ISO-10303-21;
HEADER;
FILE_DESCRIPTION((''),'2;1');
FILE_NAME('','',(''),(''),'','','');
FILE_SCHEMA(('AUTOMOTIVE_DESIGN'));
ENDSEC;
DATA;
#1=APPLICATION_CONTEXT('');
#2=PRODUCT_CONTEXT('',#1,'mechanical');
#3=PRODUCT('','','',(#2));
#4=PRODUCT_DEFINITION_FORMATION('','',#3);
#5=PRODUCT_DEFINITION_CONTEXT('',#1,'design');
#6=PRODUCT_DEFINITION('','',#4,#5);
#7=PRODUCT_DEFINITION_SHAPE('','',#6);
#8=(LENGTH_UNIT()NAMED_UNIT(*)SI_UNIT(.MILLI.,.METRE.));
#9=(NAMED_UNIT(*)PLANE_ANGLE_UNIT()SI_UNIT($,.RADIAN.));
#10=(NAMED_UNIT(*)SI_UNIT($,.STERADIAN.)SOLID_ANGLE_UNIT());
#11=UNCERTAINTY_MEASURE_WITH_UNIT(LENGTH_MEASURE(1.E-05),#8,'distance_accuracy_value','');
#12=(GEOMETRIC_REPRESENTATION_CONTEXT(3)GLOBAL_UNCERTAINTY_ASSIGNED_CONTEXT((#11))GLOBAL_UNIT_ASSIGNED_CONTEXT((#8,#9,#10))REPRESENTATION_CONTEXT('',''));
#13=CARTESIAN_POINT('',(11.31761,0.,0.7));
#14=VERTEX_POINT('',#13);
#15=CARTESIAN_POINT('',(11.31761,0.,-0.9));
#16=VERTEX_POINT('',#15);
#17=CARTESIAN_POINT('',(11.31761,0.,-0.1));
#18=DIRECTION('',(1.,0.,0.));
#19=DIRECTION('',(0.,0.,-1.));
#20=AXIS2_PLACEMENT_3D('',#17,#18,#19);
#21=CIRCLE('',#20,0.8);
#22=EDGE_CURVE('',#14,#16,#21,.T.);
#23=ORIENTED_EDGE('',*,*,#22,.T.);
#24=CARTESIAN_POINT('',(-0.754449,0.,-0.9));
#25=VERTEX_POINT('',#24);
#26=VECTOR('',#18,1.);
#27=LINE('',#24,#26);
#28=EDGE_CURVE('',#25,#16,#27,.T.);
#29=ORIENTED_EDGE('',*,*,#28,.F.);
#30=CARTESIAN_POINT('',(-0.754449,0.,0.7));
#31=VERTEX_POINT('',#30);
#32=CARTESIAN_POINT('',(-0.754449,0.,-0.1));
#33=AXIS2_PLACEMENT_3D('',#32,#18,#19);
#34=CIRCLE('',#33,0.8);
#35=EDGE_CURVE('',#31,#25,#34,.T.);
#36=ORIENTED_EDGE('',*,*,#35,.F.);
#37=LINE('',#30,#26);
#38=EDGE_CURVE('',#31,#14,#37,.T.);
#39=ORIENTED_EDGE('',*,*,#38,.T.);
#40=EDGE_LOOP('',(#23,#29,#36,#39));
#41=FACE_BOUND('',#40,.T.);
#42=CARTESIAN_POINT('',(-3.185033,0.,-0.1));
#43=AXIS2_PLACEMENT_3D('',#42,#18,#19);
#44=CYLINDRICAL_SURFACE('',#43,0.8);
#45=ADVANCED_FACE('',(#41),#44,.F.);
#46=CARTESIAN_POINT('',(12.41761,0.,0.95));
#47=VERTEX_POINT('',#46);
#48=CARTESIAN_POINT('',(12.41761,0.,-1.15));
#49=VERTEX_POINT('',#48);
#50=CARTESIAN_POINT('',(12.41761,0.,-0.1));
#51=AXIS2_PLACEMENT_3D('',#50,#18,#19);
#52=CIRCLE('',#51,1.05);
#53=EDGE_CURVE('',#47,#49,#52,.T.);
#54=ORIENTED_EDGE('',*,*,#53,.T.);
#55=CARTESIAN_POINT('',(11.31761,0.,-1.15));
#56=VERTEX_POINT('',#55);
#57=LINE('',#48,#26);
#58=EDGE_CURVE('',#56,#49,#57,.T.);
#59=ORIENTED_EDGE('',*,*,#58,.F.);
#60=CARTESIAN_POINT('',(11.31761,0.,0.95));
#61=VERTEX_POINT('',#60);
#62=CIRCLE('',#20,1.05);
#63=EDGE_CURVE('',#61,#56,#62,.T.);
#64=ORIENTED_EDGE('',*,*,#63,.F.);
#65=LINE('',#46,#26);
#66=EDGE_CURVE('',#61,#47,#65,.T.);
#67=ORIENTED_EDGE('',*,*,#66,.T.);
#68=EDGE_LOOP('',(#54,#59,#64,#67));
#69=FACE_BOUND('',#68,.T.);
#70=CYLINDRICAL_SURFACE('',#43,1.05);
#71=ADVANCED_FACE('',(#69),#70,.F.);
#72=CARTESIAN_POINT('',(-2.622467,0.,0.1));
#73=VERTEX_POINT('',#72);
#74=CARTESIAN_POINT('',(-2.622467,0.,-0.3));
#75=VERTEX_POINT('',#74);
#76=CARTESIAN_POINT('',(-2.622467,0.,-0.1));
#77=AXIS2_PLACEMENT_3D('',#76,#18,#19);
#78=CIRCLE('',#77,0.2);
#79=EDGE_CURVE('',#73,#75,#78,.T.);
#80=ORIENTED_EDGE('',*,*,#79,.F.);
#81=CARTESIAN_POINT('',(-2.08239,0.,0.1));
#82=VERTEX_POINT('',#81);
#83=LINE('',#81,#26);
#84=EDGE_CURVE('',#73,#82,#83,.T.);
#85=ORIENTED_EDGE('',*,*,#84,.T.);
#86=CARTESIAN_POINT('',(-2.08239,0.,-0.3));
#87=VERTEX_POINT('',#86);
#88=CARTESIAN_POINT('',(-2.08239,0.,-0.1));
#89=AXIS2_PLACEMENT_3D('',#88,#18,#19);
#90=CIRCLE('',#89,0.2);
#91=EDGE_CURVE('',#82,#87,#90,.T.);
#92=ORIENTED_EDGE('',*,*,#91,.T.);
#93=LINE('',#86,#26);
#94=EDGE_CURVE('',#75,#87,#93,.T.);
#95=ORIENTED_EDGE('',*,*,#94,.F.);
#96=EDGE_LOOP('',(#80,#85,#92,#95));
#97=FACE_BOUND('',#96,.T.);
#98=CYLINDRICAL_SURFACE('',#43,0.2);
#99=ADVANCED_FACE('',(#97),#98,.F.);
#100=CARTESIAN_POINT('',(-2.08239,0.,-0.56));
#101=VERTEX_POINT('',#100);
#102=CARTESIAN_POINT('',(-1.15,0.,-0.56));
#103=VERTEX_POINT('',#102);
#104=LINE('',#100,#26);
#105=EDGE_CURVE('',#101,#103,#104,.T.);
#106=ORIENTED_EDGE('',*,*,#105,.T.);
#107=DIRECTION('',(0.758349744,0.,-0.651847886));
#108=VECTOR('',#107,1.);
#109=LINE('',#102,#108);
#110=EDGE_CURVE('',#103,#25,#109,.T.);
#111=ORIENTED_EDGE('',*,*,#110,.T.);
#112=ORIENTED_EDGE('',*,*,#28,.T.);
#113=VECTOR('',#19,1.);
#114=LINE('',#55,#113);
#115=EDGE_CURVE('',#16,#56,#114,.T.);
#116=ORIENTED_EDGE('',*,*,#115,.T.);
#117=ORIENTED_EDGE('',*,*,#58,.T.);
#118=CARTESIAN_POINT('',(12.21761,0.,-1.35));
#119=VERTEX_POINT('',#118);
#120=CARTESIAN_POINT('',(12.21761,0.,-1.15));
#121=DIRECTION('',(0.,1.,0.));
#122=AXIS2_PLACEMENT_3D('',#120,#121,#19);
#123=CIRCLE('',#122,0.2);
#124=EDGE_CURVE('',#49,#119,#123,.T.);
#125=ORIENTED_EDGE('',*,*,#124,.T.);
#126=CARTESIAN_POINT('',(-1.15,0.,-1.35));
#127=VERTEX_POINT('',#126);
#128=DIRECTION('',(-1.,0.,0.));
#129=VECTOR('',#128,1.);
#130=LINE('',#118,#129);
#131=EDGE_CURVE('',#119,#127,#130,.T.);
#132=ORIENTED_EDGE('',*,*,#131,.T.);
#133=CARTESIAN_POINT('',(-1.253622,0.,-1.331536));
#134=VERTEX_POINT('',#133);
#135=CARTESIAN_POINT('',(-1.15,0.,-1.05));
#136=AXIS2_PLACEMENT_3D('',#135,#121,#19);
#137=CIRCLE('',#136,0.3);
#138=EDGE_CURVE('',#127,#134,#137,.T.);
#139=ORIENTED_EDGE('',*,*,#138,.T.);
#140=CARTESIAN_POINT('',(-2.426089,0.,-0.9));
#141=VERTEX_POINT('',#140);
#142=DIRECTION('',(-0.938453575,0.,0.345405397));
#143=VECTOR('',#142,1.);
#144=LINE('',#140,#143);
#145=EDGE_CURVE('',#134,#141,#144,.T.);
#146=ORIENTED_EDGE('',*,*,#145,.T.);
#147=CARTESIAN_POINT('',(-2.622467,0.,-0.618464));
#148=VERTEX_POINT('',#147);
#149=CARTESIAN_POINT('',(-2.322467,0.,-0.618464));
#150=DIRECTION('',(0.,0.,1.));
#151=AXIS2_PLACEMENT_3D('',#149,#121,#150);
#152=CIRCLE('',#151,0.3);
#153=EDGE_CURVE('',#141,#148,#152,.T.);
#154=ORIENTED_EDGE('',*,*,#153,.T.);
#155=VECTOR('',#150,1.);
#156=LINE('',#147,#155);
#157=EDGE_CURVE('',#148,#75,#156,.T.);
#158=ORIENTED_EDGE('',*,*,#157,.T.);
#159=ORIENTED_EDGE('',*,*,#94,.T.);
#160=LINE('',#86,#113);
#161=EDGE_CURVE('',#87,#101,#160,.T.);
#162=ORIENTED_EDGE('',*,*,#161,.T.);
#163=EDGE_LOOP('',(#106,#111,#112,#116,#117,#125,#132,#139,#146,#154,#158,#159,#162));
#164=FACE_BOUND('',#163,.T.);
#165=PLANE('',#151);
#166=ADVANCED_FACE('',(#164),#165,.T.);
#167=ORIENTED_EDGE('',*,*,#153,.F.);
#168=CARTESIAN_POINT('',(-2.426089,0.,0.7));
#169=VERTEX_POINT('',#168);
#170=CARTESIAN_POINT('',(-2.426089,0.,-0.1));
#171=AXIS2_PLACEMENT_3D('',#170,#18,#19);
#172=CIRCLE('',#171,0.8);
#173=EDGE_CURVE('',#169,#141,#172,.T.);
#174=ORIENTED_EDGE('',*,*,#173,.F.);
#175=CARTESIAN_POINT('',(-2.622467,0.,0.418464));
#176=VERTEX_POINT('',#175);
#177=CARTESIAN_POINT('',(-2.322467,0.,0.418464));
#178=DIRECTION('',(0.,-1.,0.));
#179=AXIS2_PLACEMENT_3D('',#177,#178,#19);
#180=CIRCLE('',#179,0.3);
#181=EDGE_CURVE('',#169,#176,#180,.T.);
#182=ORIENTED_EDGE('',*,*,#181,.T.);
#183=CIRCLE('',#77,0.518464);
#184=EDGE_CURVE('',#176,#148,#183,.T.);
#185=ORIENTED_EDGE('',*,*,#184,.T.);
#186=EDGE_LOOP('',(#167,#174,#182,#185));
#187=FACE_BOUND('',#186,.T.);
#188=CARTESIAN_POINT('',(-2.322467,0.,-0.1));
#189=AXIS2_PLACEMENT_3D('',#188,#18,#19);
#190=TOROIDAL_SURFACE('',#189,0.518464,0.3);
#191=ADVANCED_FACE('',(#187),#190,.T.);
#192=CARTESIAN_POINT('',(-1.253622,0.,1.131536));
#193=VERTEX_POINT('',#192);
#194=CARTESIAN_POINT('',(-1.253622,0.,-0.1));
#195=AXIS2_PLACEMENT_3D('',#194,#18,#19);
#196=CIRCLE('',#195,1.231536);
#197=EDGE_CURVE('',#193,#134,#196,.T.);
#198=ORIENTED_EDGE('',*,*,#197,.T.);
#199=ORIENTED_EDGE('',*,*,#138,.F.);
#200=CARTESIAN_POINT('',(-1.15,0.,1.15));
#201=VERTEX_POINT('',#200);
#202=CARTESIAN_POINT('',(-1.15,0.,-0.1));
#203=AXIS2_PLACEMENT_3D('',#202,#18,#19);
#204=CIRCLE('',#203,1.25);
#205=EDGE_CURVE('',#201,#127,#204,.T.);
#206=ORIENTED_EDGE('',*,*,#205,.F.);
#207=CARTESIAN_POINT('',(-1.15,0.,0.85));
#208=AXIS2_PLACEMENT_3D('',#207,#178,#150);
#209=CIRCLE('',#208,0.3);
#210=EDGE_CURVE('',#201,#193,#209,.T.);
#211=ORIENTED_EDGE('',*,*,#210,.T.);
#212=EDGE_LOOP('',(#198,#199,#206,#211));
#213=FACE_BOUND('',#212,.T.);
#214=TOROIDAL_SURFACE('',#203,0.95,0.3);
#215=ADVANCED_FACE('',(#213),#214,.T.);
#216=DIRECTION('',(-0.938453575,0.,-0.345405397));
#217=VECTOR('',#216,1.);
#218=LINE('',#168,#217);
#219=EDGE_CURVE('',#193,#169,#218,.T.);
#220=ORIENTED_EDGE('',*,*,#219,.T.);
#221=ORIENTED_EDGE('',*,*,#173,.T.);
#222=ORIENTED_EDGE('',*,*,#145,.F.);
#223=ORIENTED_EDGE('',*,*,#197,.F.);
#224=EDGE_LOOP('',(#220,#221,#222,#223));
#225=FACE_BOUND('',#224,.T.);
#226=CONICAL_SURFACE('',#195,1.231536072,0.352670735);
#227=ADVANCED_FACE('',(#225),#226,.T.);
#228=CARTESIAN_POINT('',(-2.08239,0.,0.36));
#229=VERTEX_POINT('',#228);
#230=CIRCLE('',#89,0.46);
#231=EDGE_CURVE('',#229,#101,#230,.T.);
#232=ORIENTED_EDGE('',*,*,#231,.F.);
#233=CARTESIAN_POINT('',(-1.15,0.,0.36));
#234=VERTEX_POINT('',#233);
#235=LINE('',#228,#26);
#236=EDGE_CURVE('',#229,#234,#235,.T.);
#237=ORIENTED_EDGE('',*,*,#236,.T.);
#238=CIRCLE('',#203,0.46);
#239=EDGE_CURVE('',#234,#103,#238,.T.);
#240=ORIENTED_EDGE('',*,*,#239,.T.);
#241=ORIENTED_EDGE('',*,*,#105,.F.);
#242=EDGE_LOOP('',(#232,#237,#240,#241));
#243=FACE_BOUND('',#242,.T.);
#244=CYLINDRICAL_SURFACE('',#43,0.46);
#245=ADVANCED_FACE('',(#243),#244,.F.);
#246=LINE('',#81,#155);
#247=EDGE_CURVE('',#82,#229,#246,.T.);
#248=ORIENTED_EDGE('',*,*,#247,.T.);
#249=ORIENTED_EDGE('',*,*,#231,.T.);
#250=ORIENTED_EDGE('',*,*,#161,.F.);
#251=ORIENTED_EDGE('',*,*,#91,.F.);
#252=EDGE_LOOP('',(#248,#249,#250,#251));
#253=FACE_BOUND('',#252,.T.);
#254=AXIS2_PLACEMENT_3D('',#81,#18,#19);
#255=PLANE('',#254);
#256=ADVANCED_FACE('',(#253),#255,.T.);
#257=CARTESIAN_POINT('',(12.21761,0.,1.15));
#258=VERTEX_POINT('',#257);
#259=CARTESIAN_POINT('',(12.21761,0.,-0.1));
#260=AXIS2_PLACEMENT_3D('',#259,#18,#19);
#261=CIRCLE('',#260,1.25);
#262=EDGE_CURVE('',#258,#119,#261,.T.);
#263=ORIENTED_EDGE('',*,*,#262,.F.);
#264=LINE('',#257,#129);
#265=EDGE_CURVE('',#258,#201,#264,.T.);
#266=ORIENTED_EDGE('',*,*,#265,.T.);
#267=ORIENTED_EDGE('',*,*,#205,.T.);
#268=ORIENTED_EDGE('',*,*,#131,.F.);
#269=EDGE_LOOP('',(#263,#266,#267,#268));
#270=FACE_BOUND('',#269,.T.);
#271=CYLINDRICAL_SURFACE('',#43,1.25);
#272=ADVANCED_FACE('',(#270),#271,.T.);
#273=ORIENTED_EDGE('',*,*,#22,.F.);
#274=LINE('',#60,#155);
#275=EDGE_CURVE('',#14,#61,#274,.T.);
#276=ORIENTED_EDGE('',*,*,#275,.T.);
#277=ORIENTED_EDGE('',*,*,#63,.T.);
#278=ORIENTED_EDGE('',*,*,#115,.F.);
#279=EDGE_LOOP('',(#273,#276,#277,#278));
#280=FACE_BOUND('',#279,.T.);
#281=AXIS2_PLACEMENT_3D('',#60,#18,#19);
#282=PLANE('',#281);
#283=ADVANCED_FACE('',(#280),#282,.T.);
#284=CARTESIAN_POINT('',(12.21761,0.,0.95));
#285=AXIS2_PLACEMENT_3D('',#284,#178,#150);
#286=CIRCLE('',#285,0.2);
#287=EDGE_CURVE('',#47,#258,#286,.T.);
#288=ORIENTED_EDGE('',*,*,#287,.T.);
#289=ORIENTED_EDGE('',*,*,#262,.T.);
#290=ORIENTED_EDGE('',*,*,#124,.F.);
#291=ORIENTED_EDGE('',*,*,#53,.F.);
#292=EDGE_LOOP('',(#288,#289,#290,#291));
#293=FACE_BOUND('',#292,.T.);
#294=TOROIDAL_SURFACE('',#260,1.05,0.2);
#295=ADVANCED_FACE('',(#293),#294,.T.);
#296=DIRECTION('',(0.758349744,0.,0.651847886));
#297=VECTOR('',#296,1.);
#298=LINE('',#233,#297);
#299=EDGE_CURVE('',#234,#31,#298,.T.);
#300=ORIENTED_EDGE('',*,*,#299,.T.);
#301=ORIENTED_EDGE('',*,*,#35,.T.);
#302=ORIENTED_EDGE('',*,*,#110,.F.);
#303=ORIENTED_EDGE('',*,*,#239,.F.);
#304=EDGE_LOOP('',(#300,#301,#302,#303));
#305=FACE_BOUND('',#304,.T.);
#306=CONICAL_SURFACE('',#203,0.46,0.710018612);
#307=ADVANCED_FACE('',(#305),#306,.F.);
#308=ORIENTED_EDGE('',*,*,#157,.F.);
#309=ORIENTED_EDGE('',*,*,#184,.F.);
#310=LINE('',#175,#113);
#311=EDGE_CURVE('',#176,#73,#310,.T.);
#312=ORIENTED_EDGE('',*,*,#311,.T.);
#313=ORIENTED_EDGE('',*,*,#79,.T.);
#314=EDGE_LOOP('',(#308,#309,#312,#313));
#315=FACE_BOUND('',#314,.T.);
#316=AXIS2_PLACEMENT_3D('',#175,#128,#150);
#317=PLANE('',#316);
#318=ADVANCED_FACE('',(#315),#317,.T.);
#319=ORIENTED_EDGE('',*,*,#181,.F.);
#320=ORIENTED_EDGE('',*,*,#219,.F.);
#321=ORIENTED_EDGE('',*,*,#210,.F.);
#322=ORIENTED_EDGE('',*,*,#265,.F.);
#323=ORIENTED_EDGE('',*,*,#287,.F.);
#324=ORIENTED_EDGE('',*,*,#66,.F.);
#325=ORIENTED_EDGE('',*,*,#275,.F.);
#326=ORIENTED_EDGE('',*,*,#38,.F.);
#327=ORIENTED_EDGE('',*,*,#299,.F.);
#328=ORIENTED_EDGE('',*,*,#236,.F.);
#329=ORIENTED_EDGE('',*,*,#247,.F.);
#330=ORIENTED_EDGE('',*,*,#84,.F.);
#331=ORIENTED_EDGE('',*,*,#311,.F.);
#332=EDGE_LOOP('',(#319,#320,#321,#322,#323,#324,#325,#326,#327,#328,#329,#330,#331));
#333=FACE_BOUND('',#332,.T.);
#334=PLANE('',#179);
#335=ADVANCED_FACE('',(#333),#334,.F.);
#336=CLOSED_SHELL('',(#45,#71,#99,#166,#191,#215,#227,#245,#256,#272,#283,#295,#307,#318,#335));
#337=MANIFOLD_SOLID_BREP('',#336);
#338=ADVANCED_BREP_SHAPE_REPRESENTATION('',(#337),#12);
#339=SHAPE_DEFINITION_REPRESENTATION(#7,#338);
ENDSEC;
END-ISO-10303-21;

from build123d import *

# Parameters (mm, degrees)
REVOLVE1_ANGLE = 180


with BuildPart() as part:
    # Sketch1 → Revolve1 (revolve)
    with BuildSketch(Plane(origin=(0, 0, 0), x_dir=(1, 0, 0), z_dir=(0, 1, 0))):
        with BuildLine():
            Line((-2.426089026, 0.9), (-1.253621619, 1.331536072))
            ThreePointArc((-1.253621619, 1.331536072), (-1.202626886, 1.345347949), (-1.15, 1.35))
            Line((-1.15, 1.35), (12.217609628, 1.35))
            ThreePointArc((12.217609628, 1.35), (12.359030984, 1.291421356), (12.417609628, 1.15))
            Line((12.417609628, 1.15), (11.317609628, 1.15))
            Line((11.317609628, 1.15), (11.317609628, 0.9))
            Line((11.317609628, 0.9), (3.617609628, 0.9))
            Line((3.617609628, 0.9), (2.917609628, 0.9))
            Line((2.917609628, 0.9), (-0.754449261, 0.9))
            Line((-0.754449261, 0.9), (-1.15, 0.56))
            Line((-1.15, 0.56), (-2.082390372, 0.56))
            Line((-2.082390372, 0.56), (-2.082390372, 0.3))
            Line((-2.082390372, 0.3), (-2.622467407, 0.3))
            Line((-2.622467407, 0.3), (-2.622467407, 0.618463928))
            ThreePointArc((-2.622467407, 0.618463928), (-2.568522772, 0.790093637), (-2.426089026, 0.9))
        make_face()
    revolve(axis=Axis((-3.185032955, 0, -0.1), (-1, 0, 0)), revolution_arc=REVOLVE1_ANGLE)


solid = part.part
